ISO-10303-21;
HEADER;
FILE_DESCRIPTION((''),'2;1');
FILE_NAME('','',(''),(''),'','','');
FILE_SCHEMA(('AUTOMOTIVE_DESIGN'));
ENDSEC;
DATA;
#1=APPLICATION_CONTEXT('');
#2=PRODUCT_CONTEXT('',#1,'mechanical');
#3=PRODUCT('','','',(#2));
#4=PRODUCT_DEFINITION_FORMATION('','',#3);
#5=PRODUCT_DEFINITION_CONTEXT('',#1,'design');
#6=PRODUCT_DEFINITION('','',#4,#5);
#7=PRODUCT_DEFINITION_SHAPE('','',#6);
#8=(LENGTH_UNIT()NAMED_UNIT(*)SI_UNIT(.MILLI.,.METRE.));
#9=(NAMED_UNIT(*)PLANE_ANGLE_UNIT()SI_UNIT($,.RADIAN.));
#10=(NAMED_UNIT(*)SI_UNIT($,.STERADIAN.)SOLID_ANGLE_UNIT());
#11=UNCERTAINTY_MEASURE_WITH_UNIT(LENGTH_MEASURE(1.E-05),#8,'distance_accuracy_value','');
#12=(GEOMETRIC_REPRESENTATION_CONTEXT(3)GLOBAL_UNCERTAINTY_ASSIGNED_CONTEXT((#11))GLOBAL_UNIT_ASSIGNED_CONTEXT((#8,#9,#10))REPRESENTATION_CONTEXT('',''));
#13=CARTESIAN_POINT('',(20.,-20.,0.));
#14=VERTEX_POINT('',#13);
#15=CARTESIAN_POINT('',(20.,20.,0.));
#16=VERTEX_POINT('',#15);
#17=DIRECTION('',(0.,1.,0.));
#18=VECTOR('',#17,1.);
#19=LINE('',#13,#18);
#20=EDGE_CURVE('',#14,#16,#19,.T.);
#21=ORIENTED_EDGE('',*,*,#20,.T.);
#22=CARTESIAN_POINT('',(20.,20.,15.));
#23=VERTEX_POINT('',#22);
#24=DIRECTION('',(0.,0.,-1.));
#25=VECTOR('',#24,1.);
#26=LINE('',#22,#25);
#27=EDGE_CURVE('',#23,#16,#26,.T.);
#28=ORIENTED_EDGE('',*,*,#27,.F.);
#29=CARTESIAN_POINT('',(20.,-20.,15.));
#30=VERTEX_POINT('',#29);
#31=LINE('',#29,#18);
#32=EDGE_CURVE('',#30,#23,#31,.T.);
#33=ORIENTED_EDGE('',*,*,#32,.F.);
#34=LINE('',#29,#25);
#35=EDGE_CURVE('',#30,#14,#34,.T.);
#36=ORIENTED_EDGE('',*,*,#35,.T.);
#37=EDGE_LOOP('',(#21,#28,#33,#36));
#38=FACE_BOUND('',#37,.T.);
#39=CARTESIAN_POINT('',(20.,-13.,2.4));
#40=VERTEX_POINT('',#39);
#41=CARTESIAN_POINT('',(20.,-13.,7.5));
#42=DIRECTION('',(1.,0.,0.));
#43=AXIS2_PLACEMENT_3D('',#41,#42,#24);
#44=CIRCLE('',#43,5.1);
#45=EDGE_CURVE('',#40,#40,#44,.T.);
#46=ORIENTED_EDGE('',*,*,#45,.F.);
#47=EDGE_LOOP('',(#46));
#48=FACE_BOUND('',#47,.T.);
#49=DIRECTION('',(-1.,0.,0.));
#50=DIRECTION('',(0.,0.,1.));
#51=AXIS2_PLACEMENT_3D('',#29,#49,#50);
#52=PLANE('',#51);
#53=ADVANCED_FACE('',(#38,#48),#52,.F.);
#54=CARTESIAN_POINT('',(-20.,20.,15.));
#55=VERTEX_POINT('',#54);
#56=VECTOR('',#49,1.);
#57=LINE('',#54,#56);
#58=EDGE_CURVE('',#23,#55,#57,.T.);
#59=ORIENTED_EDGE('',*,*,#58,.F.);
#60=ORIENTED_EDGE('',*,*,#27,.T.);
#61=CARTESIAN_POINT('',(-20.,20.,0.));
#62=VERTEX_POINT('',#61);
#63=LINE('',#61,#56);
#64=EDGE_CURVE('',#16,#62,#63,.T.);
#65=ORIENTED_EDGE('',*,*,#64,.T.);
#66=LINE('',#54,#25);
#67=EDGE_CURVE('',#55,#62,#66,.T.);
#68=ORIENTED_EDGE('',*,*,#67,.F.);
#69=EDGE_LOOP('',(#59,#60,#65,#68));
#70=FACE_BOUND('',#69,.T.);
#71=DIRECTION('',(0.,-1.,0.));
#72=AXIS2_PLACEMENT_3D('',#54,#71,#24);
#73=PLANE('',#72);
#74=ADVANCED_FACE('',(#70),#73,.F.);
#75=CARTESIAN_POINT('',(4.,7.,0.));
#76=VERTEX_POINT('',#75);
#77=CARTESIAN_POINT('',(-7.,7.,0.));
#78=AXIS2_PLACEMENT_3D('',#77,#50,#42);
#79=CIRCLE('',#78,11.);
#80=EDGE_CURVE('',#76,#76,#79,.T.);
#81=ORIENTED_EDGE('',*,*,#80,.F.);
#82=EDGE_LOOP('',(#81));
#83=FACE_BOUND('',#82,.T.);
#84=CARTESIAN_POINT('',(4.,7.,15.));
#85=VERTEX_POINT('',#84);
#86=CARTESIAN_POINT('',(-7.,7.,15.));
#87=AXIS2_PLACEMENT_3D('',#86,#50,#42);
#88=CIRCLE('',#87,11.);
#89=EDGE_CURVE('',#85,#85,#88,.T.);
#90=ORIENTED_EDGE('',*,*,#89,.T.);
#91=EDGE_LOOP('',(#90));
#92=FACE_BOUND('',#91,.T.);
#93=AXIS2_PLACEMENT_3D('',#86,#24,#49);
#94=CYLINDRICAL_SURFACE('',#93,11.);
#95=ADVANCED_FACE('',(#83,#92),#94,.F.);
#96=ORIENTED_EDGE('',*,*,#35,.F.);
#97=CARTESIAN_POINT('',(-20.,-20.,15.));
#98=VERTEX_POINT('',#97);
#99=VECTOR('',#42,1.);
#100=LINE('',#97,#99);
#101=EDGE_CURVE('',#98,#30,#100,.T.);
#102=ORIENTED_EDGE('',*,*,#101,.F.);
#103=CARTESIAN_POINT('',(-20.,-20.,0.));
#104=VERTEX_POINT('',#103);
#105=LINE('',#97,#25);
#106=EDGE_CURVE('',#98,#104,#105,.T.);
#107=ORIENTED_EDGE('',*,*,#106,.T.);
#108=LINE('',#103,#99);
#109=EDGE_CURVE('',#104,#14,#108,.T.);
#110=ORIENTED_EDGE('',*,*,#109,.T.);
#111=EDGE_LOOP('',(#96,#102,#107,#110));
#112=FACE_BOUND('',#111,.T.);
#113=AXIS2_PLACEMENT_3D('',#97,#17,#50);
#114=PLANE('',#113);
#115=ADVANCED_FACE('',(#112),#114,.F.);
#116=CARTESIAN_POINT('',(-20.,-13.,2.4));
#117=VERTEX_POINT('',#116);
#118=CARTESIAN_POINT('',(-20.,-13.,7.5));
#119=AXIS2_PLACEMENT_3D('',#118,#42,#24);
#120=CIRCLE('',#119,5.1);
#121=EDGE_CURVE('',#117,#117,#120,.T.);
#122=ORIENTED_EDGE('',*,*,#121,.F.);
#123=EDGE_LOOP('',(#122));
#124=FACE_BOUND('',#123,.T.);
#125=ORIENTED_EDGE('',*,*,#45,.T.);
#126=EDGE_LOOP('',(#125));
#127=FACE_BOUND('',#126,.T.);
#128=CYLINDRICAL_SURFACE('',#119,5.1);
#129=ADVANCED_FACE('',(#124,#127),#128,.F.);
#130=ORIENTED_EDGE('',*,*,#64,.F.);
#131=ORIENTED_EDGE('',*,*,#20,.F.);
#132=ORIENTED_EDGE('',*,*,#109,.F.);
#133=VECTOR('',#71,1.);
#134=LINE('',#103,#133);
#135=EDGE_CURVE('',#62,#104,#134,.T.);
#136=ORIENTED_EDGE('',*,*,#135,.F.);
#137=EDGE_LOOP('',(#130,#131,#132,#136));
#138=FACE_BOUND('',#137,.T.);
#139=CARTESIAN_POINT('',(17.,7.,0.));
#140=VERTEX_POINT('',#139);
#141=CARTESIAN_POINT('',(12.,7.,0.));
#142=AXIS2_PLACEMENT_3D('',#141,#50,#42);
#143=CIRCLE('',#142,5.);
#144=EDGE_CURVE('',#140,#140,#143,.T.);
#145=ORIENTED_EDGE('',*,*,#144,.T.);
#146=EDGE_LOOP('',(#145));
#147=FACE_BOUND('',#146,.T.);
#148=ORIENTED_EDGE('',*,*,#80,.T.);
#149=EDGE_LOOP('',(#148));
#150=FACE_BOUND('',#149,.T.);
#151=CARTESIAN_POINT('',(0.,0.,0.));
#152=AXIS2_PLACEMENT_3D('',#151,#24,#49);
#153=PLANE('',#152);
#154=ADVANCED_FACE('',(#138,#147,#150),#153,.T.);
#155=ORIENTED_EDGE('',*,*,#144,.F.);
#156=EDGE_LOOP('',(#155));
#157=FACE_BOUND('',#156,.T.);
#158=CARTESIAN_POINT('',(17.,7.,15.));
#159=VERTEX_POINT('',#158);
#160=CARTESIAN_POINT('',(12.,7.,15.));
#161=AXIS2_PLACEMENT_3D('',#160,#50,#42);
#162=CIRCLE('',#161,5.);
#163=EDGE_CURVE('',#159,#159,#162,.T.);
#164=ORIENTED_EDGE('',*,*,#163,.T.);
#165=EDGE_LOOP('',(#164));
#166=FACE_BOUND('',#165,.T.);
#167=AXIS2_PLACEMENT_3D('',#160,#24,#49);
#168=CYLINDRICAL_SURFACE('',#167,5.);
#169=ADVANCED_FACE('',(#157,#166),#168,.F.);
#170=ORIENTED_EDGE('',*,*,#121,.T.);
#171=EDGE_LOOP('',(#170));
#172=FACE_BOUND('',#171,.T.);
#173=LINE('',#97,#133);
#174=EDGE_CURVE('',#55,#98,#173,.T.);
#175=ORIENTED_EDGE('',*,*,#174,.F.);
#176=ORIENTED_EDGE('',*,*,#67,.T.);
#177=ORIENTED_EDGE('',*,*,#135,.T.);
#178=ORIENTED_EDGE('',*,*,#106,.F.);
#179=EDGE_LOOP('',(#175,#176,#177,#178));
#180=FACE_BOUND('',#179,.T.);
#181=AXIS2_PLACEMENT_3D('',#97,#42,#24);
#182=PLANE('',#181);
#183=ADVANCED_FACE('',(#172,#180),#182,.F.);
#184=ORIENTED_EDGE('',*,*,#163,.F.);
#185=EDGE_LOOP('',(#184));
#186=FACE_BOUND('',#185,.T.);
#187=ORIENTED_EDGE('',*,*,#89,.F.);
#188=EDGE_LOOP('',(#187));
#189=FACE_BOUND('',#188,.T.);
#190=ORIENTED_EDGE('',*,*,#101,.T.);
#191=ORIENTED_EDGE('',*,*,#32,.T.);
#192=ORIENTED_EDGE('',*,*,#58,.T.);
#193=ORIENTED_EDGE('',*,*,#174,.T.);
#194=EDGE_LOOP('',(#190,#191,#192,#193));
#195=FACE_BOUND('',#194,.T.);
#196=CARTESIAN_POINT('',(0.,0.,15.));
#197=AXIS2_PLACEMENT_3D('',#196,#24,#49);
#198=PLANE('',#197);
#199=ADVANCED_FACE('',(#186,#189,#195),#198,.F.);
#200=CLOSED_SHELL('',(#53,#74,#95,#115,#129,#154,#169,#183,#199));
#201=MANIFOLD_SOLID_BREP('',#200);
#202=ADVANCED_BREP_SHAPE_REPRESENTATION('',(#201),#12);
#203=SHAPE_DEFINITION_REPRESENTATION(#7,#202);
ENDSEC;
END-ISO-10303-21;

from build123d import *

# Parameters (mm, degrees)
SKETCH2_W           = 40
SKETCH2_H           = 40
SKETCH2_R           = 5
SKETCH2_R_2         = 11
BOSS_EXTRUDE1_DEPTH = 15
SKETCH3_R           = 5.1
CUT_EXTRUDE1_DEPTH  = 48.16990566


with BuildPart() as part:
    # Sketch2 → Boss-Extrude1 (new body)
    with BuildSketch(Plane.XY):
        Rectangle(SKETCH2_W, SKETCH2_H)
        with Locations((12, 7)):
            Circle(SKETCH2_R, mode=Mode.SUBTRACT)
        with Locations((-7, 7)):
            Circle(SKETCH2_R_2, mode=Mode.SUBTRACT)
    extrude(amount=BOSS_EXTRUDE1_DEPTH)

    # Sketch3 → Cut-Extrude1 (cut, through all)
    with BuildSketch(Plane(origin=(20, 0, 0), x_dir=(0, 0, -1), z_dir=(1, 0, 0))):
        with Locations((-7.5, -13)):
            Circle(SKETCH3_R)
    extrude(amount=-CUT_EXTRUDE1_DEPTH, mode=Mode.SUBTRACT)


solid = part.part
